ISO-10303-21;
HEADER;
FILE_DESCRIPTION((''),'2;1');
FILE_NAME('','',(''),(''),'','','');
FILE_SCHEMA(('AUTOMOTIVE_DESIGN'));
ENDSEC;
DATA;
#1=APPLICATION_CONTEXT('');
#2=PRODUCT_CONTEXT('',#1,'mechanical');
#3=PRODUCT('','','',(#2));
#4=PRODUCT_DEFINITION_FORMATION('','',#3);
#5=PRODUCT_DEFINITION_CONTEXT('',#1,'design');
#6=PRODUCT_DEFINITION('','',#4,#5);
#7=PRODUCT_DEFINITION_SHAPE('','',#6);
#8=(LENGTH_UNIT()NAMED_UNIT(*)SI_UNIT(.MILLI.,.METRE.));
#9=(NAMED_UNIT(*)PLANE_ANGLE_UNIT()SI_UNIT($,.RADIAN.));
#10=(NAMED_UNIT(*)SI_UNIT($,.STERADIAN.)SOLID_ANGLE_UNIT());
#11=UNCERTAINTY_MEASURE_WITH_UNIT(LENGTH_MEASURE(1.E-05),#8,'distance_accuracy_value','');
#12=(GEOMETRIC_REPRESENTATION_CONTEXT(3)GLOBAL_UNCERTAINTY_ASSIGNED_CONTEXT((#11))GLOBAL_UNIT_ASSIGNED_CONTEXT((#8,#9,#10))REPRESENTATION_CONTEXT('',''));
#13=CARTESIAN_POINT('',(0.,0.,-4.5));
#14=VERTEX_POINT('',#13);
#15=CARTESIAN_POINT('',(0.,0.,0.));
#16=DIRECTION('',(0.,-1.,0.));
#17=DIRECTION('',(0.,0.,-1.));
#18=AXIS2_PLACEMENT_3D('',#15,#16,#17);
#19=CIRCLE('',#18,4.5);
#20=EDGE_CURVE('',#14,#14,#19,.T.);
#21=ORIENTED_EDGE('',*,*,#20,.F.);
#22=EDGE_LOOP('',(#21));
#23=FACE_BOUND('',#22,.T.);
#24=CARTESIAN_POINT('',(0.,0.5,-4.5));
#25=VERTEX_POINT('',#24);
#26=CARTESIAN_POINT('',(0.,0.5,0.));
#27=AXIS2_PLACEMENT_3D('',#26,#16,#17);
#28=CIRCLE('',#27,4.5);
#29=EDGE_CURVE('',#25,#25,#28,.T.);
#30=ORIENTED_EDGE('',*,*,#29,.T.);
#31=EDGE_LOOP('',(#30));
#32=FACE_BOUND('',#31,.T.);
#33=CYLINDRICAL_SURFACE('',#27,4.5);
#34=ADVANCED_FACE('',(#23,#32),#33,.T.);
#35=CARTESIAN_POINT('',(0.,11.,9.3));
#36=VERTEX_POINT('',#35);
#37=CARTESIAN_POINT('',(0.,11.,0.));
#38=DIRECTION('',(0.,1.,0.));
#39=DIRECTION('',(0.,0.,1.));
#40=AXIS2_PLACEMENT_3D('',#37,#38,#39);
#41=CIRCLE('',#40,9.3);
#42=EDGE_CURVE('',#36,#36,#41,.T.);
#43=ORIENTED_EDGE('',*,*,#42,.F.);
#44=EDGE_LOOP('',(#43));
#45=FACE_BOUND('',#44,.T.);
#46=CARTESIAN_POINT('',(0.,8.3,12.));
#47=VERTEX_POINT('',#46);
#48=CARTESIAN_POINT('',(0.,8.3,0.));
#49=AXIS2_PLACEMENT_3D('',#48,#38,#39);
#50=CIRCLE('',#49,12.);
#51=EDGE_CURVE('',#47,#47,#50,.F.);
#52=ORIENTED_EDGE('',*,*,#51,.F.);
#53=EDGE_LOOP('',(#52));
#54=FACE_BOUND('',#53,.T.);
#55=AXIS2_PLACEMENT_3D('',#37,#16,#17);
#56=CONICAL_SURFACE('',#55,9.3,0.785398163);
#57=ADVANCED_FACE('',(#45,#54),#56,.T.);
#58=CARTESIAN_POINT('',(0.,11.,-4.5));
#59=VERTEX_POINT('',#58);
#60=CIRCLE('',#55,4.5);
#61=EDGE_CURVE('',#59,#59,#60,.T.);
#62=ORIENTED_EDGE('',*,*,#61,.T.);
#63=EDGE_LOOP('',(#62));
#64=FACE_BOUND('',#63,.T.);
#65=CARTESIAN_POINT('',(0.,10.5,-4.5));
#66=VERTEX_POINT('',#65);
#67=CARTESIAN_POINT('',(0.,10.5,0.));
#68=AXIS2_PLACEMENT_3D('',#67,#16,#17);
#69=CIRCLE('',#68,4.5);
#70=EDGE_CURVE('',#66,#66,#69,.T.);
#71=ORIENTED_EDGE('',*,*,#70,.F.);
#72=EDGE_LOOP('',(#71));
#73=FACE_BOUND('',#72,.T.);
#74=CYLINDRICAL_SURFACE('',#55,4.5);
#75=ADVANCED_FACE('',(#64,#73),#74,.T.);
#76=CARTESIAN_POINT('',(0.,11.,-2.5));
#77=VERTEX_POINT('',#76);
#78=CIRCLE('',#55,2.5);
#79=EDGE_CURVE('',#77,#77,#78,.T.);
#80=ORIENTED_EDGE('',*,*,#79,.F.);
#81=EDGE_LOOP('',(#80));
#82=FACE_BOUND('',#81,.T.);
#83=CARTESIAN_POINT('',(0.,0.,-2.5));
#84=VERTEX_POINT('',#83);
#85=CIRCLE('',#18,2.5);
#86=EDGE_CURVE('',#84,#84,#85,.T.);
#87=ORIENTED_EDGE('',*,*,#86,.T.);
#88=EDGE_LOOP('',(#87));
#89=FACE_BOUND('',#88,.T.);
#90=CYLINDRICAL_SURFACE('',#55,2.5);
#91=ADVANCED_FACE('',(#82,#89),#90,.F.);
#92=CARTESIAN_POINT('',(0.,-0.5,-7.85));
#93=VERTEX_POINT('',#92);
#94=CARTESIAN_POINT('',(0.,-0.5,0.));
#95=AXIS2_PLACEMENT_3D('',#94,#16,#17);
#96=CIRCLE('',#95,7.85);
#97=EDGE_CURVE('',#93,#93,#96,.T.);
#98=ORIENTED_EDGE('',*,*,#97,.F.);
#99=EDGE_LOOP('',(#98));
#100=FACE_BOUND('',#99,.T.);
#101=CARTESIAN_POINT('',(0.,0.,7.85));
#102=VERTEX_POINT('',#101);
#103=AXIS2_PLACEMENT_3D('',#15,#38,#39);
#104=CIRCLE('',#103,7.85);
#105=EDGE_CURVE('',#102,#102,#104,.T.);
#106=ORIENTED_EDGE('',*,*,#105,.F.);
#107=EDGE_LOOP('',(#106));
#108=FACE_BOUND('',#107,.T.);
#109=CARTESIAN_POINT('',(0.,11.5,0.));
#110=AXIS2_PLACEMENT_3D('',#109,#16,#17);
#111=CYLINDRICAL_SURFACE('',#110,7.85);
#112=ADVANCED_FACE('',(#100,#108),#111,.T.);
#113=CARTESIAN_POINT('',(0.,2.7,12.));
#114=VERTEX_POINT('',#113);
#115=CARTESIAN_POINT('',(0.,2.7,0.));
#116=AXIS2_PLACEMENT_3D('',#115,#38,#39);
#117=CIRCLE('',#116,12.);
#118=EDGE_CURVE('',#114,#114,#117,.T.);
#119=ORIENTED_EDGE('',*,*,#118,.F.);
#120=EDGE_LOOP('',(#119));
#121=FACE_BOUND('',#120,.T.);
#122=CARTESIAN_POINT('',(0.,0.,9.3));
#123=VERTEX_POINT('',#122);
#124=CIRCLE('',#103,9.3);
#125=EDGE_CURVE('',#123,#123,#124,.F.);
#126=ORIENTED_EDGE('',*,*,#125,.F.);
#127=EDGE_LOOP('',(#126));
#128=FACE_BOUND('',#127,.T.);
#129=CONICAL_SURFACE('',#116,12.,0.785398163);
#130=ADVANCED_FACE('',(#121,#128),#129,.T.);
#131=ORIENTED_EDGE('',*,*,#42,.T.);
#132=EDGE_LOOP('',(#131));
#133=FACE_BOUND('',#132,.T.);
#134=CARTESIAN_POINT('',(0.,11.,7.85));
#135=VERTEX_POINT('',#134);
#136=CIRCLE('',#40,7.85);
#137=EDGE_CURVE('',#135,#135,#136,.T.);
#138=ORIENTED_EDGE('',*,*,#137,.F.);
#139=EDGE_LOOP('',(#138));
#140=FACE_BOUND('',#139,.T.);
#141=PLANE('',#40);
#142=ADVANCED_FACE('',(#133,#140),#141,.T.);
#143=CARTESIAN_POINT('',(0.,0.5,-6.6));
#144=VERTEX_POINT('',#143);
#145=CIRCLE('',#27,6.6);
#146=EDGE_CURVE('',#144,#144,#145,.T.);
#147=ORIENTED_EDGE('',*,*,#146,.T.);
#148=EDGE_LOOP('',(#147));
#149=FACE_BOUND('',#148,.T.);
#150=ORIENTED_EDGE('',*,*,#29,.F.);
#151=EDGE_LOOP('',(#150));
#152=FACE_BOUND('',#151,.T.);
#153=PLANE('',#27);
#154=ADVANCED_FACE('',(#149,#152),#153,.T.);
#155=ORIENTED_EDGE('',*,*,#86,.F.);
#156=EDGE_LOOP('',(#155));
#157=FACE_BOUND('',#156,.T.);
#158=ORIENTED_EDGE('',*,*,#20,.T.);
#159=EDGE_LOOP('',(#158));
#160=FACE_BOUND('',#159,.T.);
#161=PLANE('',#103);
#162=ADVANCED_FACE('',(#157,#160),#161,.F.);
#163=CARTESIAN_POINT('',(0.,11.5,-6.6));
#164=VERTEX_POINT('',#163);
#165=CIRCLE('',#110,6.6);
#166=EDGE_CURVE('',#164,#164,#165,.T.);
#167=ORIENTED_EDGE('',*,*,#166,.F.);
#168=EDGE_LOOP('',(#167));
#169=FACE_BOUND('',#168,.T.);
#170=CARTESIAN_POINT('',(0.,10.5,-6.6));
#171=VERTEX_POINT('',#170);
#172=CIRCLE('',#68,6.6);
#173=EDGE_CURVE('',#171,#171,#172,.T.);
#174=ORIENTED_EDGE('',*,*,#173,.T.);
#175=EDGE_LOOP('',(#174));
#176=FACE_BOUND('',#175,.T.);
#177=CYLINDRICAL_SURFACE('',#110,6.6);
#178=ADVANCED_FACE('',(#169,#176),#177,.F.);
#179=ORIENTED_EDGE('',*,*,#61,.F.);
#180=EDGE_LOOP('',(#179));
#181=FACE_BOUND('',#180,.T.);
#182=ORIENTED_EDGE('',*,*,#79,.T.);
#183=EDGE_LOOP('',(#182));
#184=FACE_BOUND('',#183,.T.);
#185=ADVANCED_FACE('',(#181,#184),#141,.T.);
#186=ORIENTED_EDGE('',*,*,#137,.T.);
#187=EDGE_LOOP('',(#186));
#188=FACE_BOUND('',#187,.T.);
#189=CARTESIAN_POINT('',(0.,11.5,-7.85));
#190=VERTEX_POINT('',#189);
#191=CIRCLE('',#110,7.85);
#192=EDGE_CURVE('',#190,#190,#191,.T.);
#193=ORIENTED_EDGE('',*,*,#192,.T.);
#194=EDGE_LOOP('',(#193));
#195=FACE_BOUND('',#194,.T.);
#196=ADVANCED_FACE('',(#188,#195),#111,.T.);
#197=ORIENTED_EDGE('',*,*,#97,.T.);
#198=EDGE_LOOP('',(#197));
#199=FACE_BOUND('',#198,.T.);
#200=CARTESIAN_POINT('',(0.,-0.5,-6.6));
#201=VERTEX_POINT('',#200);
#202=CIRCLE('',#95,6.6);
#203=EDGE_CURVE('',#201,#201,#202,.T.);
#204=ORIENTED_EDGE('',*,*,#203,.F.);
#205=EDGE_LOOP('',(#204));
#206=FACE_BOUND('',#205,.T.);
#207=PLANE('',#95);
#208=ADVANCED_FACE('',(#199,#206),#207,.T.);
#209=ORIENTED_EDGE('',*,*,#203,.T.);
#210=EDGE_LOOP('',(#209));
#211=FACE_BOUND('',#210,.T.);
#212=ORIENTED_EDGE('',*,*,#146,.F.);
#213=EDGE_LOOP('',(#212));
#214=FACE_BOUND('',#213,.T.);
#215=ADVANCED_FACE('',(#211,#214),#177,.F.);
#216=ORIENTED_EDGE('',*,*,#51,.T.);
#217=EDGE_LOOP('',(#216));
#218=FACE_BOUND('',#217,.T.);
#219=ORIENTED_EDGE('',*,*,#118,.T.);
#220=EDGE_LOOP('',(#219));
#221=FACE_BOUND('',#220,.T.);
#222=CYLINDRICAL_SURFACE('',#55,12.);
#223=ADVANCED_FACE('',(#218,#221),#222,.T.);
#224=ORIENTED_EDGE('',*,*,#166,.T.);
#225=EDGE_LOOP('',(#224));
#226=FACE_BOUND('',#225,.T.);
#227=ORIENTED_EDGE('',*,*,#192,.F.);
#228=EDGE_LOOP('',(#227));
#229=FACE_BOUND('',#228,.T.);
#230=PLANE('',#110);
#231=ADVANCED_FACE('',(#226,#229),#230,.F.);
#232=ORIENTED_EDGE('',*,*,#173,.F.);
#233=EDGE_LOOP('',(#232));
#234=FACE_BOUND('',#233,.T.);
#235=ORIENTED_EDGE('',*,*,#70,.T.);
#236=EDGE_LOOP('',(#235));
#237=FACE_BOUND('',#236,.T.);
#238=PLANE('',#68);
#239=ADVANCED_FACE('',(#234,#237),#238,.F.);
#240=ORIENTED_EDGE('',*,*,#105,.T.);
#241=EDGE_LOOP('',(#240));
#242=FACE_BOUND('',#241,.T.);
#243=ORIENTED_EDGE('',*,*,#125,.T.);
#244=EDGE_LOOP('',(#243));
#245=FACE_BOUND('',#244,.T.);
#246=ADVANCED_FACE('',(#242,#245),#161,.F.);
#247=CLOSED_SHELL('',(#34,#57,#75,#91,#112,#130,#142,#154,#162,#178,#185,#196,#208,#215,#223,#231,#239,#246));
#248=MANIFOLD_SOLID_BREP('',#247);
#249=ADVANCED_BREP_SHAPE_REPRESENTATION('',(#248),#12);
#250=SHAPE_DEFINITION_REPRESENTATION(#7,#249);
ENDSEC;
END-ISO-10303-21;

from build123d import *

# Parameters (mm, degrees)
SKETCH1_R                = 12
BOSS_EXTRUDE1_DEPTH      = 11
CHAMFER1_SIZE            = 2.7
SKETCH2_R                = 2.5
CUT_EXTRUDE1_DEPTH       = 21.223748416
BOSS_EXTRUDE4_DEPTH      = 0.5
BOSS_EXTRUDE4_DEPTH_BACK = 11.5
SKETCH3_R                = 7.85
SKETCH3_R_2              = 6.6
SKETCH3_4_R              = 6.6
SKETCH3_4_R_2            = 4.5
CUT_EXTRUDE2_DEPTH       = 0.5
CUT_EXTRUDE3_START       = -10.5
SKETCH3_5_R              = 6.6
SKETCH3_5_R_2            = 4.5
CUT_EXTRUDE3_DEPTH       = 0.5


with BuildPart() as part:
    # Sketch1 → Boss-Extrude1 (new body)
    with BuildSketch(Plane(origin=(0, 0, 0), x_dir=(1, 0, 0), z_dir=(0, 1, 0))):
        Circle(SKETCH1_R)
    extrude(amount=BOSS_EXTRUDE1_DEPTH)

    # Chamfer1
    chamfer1_edges = [part.edges().sort_by_distance(p)[0] for p in [
        (-12, 0, 0),
        (-12, 11, 0),
    ]]
    chamfer(chamfer1_edges, length=CHAMFER1_SIZE)

    # Sketch2 → Cut-Extrude1 (cut, through all)
    with BuildSketch(Plane.XZ):
        Circle(SKETCH2_R)
    extrude(amount=-CUT_EXTRUDE1_DEPTH, mode=Mode.SUBTRACT)

    # Sketch3 → Boss-Extrude4 (add, two sides: drawn at the far end of the back side and taken through both)
    with BuildSketch(Plane.XZ.offset(-BOSS_EXTRUDE4_DEPTH_BACK)):
        Circle(SKETCH3_R)
        Circle(SKETCH3_R_2, mode=Mode.SUBTRACT)
    extrude(amount=BOSS_EXTRUDE4_DEPTH + BOSS_EXTRUDE4_DEPTH_BACK)

    # Sketch3<4> → Cut-Extrude2 (cut)
    with BuildSketch(Plane.XZ):
        Circle(SKETCH3_4_R)
        Circle(SKETCH3_4_R_2, mode=Mode.SUBTRACT)
    extrude(amount=-CUT_EXTRUDE2_DEPTH, mode=Mode.SUBTRACT)

    # Sketch3<5> → Cut-Extrude3 (cut)
    with BuildSketch(Plane.XZ.offset(CUT_EXTRUDE3_START)):
        Circle(SKETCH3_5_R)
        Circle(SKETCH3_5_R_2, mode=Mode.SUBTRACT)
    extrude(amount=-CUT_EXTRUDE3_DEPTH, mode=Mode.SUBTRACT)


solid = part.part
